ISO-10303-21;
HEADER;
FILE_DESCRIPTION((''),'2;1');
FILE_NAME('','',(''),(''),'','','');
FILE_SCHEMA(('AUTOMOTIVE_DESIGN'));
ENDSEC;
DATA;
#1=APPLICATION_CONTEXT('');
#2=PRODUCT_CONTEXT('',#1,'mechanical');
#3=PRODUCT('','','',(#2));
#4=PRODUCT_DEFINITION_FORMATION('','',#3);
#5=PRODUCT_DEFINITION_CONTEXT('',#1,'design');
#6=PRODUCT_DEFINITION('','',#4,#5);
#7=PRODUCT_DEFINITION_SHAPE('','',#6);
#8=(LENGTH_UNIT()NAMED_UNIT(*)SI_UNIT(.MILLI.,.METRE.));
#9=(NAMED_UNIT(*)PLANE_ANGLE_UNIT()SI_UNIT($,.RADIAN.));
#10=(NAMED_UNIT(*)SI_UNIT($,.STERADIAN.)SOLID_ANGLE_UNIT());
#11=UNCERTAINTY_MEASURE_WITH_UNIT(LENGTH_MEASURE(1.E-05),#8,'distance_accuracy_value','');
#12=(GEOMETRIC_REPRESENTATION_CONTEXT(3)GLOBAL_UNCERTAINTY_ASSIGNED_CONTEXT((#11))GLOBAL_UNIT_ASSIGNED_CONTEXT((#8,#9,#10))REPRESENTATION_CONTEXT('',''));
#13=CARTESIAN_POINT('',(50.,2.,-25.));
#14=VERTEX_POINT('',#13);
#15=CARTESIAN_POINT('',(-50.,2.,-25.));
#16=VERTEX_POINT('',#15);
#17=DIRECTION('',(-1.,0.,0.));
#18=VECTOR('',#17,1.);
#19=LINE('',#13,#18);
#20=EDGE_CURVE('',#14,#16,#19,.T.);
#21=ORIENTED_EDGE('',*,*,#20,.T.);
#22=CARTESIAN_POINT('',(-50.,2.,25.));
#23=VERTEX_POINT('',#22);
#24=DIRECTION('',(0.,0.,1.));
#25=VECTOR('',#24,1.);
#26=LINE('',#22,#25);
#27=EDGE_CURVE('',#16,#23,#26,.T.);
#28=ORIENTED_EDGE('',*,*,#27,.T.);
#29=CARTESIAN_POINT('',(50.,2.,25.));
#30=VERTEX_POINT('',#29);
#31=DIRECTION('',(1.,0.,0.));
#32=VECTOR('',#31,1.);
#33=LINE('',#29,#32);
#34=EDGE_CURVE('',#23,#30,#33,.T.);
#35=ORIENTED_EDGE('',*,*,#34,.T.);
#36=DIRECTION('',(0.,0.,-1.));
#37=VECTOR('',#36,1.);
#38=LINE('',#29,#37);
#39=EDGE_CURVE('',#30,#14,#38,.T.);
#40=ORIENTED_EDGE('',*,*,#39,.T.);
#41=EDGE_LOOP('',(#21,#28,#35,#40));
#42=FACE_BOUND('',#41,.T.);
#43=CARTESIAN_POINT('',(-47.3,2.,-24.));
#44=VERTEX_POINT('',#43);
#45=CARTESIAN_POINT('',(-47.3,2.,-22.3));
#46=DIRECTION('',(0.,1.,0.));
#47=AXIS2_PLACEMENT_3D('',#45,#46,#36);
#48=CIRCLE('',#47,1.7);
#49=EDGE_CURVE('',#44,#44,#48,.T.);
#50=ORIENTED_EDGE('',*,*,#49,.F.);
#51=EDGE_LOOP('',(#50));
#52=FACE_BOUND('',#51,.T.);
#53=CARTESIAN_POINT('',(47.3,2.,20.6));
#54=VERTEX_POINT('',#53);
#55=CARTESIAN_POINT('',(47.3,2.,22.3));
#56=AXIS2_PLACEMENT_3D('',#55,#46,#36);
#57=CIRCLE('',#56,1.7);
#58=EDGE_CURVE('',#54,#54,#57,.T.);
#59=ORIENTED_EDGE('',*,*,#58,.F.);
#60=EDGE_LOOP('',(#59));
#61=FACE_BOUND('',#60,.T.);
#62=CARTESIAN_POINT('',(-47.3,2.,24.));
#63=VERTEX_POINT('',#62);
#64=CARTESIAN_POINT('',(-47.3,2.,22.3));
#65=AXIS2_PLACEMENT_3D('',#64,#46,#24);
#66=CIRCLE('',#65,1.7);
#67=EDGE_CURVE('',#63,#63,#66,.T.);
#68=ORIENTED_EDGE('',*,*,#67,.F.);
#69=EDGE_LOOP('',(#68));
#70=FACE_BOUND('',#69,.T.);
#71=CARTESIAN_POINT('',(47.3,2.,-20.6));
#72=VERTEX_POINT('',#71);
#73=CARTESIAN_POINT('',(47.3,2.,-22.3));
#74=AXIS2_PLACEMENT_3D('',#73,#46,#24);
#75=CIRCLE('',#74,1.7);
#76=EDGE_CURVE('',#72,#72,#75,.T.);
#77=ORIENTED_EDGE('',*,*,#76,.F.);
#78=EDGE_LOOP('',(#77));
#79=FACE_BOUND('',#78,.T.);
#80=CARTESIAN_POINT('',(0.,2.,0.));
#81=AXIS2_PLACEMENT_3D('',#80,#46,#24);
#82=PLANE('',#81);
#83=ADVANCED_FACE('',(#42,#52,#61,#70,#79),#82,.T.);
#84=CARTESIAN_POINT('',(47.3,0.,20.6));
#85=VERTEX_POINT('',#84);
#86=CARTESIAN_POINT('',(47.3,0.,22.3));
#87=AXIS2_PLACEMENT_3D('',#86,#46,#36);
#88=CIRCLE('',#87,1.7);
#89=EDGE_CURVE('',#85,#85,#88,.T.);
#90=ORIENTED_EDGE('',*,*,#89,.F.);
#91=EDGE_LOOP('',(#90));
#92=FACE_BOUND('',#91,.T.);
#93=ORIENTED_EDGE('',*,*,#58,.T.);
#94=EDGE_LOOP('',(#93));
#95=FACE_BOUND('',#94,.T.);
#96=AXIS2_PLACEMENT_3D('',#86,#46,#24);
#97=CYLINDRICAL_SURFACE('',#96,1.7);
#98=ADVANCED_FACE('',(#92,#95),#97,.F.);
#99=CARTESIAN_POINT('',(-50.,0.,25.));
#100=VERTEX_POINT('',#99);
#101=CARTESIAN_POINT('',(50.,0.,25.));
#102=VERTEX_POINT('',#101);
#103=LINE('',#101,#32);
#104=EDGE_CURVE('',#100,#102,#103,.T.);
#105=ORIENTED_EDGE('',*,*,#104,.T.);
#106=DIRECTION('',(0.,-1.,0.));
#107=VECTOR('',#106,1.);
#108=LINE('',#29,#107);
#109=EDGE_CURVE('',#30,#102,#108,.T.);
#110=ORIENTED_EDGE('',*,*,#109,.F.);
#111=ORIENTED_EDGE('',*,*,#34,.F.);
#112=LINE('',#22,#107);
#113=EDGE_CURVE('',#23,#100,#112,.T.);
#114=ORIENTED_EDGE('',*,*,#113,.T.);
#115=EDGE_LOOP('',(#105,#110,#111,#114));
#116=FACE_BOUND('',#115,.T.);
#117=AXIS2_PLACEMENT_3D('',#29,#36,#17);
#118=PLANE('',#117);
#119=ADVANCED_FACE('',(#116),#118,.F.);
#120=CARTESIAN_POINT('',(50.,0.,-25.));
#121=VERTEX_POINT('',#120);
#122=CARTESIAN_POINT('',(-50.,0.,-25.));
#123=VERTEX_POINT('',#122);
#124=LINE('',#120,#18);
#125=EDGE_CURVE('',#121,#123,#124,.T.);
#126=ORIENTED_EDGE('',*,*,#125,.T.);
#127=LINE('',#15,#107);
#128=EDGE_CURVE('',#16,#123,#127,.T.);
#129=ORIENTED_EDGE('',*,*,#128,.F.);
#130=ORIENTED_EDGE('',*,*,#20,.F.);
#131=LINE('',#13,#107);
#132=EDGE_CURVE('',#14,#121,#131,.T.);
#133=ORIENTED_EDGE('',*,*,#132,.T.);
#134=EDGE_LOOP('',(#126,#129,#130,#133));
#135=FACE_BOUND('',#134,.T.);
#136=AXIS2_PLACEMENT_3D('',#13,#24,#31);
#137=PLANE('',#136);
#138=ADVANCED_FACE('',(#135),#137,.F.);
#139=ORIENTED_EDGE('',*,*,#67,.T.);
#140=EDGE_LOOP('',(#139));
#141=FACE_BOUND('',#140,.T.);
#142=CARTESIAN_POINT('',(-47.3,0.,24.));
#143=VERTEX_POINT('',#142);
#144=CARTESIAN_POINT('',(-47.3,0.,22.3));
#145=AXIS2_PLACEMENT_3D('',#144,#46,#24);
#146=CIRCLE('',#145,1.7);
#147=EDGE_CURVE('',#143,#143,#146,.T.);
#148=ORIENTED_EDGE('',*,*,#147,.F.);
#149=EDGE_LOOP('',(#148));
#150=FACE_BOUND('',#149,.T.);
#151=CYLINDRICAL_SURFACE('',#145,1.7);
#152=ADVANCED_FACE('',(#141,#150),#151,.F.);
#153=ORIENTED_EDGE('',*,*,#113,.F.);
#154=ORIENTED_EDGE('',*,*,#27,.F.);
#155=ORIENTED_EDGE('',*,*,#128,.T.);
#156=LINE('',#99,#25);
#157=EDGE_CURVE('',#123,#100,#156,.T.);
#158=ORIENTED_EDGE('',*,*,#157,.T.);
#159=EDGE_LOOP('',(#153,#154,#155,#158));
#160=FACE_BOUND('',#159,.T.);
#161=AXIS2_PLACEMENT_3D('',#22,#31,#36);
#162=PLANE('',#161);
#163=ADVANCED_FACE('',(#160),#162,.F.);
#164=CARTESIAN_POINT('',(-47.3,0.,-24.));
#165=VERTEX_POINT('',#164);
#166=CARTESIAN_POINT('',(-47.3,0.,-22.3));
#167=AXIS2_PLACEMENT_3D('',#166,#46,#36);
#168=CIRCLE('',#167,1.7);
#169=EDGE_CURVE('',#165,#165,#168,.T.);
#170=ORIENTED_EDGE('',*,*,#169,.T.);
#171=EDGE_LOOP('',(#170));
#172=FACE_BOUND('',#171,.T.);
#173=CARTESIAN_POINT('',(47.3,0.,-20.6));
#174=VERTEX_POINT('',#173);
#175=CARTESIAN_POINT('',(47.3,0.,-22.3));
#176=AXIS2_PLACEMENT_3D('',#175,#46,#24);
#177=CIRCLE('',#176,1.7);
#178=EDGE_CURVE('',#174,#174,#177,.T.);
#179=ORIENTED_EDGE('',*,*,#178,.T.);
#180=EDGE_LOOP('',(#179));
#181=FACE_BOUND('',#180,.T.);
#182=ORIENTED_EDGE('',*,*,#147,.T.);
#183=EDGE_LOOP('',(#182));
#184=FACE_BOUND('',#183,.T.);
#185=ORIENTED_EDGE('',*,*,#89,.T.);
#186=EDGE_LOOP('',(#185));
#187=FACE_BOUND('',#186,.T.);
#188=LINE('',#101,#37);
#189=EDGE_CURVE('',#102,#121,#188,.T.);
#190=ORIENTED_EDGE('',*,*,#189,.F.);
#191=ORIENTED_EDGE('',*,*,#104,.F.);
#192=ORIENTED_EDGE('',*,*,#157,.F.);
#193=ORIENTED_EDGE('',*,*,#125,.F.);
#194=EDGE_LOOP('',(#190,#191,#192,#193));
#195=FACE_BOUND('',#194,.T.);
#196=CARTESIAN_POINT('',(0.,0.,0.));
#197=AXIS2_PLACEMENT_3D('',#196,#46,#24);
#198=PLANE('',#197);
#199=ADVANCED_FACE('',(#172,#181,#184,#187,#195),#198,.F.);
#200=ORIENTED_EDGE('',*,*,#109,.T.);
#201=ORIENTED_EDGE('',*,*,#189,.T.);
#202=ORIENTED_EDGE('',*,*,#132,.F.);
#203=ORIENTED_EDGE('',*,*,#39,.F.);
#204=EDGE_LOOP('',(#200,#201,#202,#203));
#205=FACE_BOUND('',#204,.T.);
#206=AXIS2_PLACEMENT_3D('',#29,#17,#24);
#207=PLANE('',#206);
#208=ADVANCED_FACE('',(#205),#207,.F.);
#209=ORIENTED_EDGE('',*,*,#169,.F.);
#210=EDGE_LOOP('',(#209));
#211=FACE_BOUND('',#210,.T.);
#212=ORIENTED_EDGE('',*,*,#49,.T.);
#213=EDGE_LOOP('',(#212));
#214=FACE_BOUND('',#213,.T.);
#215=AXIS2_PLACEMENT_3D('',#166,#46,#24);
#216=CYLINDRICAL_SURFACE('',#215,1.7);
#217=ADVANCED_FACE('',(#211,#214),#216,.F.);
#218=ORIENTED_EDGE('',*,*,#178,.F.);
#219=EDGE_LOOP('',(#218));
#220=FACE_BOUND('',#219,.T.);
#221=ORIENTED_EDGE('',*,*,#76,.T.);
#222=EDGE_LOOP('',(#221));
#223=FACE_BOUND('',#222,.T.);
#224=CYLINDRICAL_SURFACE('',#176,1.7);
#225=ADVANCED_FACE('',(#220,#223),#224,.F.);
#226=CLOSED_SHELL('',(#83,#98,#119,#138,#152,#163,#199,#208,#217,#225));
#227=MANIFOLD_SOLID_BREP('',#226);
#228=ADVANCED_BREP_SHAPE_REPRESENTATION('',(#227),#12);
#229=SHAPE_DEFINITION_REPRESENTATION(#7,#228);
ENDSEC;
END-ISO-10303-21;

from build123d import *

# Parameters (mm, degrees)
SKETCH_1_W          = 100
SKETCH_1_H          = 50
EXTRUDE_1_DEPTH     = 2
SKETCH_2_R          = 1.7
CUT_EXTRUDE_1_DEPTH = 56.937465084


with BuildPart() as part:
    # 스케치1 → 보스-돌출1 (new body)
    with BuildSketch(Plane(origin=(0, 0, 0), x_dir=(1, 0, 0), z_dir=(0, 1, 0))):
        Rectangle(SKETCH_1_W, SKETCH_1_H)
    extrude(amount=EXTRUDE_1_DEPTH)

    # 스케치2 → 컷-돌출1 (cut, through all)
    with BuildSketch(Plane(origin=(0, 2, 0), x_dir=(1, 0, 0), z_dir=(0, 1, 0))):
        with Locations(Location((47.3, 22.3, 0), (0, 0, 270))):
            Circle(SKETCH_2_R)
        with Locations(Location((47.3, -22.3, 0), (0, 0, 90))):
            Circle(SKETCH_2_R)
        with Locations(Location((-47.3, -22.3, 0), (0, 0, 270))):
            Circle(SKETCH_2_R)
        with Locations(Location((-47.3, 22.3, 0), (0, 0, 90))):
            Circle(SKETCH_2_R)
    extrude(amount=-CUT_EXTRUDE_1_DEPTH, mode=Mode.SUBTRACT)


solid = part.part
